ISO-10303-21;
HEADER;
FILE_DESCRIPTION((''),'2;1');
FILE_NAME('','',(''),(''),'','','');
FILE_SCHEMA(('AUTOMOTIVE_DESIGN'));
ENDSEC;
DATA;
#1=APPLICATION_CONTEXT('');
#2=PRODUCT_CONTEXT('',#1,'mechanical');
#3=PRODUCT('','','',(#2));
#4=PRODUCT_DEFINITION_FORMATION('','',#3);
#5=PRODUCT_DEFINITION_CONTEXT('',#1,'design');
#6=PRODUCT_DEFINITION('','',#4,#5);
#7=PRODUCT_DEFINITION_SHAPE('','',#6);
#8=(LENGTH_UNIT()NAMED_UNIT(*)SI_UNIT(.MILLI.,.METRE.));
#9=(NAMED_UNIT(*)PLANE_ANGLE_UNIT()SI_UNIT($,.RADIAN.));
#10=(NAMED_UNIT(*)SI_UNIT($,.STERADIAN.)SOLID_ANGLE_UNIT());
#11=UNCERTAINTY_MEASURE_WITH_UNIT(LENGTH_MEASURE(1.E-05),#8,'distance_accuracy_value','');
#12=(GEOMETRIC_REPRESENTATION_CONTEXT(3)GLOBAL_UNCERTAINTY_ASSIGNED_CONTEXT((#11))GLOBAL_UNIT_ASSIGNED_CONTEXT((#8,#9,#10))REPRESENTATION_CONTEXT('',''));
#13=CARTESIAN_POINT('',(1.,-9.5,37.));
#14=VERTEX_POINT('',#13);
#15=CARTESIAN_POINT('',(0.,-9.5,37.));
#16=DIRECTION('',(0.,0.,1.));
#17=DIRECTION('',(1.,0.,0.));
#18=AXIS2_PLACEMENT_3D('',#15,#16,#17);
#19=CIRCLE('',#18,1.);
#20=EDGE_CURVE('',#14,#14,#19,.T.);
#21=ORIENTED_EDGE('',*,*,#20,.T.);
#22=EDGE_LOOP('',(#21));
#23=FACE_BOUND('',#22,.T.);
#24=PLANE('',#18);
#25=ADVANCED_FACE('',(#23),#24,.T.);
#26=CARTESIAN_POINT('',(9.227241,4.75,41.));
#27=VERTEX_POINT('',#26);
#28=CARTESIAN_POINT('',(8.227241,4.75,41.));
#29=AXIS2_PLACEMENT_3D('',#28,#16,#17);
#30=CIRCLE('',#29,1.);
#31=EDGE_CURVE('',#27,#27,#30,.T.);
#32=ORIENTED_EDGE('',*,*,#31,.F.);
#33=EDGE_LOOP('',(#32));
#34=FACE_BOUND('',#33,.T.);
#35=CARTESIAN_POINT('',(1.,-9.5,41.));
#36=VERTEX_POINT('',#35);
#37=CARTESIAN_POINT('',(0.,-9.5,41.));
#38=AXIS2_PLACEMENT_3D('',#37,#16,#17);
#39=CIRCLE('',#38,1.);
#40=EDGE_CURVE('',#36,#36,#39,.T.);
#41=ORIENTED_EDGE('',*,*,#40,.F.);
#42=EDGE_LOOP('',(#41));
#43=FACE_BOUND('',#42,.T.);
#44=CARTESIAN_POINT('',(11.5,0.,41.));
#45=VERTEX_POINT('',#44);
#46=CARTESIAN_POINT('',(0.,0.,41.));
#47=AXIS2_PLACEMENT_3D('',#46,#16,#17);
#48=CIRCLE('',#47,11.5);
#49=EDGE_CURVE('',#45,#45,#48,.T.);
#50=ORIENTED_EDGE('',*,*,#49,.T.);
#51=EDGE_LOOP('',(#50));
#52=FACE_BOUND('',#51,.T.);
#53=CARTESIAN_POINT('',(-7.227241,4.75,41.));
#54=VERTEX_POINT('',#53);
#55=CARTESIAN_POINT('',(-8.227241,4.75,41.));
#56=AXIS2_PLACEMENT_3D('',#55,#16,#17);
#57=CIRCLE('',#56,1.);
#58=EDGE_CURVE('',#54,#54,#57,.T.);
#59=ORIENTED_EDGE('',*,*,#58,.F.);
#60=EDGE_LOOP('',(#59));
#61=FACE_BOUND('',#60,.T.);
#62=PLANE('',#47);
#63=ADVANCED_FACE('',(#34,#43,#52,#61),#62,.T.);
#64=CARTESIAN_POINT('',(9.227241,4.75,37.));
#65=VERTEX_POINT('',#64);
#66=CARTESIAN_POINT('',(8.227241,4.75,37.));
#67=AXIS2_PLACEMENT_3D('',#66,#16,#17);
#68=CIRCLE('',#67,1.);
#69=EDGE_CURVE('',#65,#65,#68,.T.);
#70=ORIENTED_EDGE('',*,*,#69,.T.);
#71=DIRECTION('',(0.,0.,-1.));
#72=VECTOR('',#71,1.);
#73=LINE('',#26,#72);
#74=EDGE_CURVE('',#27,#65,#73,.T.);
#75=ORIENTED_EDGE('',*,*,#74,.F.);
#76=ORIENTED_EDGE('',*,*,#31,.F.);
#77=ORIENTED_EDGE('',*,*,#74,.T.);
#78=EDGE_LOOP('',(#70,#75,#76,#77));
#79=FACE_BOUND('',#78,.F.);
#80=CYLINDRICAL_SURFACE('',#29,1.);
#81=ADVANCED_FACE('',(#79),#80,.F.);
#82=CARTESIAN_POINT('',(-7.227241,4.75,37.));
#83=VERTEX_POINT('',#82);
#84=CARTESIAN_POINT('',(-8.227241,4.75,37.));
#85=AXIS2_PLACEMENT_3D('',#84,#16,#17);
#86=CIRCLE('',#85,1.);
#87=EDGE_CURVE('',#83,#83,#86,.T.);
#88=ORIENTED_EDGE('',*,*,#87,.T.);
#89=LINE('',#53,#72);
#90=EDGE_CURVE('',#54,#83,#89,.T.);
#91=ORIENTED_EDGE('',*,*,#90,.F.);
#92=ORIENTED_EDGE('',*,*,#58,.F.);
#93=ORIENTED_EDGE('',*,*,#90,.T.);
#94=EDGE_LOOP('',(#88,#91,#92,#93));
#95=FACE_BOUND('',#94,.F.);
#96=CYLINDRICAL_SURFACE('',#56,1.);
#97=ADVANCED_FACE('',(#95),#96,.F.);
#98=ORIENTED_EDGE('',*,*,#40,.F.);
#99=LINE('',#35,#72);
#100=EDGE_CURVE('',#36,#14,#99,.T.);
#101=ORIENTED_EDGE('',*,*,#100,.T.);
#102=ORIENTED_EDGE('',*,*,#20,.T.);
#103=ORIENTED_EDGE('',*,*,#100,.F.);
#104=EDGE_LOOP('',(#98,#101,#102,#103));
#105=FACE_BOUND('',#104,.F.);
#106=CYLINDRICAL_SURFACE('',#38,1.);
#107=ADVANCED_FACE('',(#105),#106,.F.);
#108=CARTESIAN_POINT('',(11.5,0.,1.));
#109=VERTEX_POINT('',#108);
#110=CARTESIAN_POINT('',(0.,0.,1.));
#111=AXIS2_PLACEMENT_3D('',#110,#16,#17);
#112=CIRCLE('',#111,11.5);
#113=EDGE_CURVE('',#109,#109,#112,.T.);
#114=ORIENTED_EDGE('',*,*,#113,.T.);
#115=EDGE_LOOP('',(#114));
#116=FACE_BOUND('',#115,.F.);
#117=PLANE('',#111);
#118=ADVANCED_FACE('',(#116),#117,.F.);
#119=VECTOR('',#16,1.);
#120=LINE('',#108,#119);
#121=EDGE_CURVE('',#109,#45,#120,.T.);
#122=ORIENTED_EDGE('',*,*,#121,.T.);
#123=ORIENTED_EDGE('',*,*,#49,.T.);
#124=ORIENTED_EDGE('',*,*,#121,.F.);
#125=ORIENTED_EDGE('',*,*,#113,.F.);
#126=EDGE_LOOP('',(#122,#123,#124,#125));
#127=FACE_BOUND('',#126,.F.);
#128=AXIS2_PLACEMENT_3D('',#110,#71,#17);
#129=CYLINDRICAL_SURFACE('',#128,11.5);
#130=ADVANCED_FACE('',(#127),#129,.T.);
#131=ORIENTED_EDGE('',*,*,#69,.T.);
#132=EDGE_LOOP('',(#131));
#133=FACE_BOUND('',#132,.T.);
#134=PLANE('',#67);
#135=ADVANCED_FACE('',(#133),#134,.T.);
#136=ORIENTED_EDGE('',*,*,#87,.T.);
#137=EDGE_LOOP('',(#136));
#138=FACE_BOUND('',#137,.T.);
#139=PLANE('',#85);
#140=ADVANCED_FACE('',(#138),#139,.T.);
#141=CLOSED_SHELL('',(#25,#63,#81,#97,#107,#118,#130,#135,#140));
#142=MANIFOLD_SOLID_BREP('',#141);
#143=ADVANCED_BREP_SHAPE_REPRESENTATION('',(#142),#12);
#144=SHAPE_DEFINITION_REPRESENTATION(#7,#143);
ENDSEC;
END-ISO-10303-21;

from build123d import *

# Parameters (mm, degrees)
SKETCH001_R       = 23.34615
EXTRUDE_DEPTH     = 23
CYLINDER002_R     = 3
CYLINDER002_DEPTH = 15
CYLINDER001_R     = 7.5
CYLINDER001_DEPTH = 1
CYLINDER_R        = 11.5
CYLINDER_DEPTH    = 40
SKETCH_R          = 1
POCKET_DEPTH      = 4


with BuildPart() as clone_of_extrude:
    # Sketch001 → Extrude (new body)
    with BuildSketch(Plane.XY.offset(41)):
        Circle(SKETCH001_R)
    extrude(amount=EXTRUDE_DEPTH)


with BuildPart() as cylinder002:
    # Cylinder002 → Cylinder002 (new body)
    with BuildSketch(Plane.XY.offset(42)):
        Circle(CYLINDER002_R)
    extrude(amount=CYLINDER002_DEPTH)


with BuildPart() as cylinder001:
    # Cylinder001 → Cylinder001 (new body)
    with BuildSketch(Plane.XY.offset(41)):
        Circle(CYLINDER001_R)
    extrude(amount=CYLINDER001_DEPTH)


with BuildPart() as cut:
    # Cylinder → Cylinder (new body)
    with BuildSketch(Plane.XY.offset(1)):
        Circle(CYLINDER_R)
    extrude(amount=CYLINDER_DEPTH)

    # Fusion: union Cylinder002, Cylinder001
    add(cylinder002.part)
    add(cylinder001.part)

    # Sketch → Pocket (cut)
    with BuildSketch(Plane.XY.offset(41)):
        with Locations((8.227241, 4.75)):
            Circle(SKETCH_R)
        with Locations((-8.227241, 4.75)):
            Circle(SKETCH_R)
        with Locations((0, -9.5)):
            Circle(SKETCH_R)
    extrude(amount=-POCKET_DEPTH, mode=Mode.SUBTRACT)

    # Cut: cut Clone of Extrude
    add(clone_of_extrude.part, mode=Mode.SUBTRACT)


solid = cut.part
